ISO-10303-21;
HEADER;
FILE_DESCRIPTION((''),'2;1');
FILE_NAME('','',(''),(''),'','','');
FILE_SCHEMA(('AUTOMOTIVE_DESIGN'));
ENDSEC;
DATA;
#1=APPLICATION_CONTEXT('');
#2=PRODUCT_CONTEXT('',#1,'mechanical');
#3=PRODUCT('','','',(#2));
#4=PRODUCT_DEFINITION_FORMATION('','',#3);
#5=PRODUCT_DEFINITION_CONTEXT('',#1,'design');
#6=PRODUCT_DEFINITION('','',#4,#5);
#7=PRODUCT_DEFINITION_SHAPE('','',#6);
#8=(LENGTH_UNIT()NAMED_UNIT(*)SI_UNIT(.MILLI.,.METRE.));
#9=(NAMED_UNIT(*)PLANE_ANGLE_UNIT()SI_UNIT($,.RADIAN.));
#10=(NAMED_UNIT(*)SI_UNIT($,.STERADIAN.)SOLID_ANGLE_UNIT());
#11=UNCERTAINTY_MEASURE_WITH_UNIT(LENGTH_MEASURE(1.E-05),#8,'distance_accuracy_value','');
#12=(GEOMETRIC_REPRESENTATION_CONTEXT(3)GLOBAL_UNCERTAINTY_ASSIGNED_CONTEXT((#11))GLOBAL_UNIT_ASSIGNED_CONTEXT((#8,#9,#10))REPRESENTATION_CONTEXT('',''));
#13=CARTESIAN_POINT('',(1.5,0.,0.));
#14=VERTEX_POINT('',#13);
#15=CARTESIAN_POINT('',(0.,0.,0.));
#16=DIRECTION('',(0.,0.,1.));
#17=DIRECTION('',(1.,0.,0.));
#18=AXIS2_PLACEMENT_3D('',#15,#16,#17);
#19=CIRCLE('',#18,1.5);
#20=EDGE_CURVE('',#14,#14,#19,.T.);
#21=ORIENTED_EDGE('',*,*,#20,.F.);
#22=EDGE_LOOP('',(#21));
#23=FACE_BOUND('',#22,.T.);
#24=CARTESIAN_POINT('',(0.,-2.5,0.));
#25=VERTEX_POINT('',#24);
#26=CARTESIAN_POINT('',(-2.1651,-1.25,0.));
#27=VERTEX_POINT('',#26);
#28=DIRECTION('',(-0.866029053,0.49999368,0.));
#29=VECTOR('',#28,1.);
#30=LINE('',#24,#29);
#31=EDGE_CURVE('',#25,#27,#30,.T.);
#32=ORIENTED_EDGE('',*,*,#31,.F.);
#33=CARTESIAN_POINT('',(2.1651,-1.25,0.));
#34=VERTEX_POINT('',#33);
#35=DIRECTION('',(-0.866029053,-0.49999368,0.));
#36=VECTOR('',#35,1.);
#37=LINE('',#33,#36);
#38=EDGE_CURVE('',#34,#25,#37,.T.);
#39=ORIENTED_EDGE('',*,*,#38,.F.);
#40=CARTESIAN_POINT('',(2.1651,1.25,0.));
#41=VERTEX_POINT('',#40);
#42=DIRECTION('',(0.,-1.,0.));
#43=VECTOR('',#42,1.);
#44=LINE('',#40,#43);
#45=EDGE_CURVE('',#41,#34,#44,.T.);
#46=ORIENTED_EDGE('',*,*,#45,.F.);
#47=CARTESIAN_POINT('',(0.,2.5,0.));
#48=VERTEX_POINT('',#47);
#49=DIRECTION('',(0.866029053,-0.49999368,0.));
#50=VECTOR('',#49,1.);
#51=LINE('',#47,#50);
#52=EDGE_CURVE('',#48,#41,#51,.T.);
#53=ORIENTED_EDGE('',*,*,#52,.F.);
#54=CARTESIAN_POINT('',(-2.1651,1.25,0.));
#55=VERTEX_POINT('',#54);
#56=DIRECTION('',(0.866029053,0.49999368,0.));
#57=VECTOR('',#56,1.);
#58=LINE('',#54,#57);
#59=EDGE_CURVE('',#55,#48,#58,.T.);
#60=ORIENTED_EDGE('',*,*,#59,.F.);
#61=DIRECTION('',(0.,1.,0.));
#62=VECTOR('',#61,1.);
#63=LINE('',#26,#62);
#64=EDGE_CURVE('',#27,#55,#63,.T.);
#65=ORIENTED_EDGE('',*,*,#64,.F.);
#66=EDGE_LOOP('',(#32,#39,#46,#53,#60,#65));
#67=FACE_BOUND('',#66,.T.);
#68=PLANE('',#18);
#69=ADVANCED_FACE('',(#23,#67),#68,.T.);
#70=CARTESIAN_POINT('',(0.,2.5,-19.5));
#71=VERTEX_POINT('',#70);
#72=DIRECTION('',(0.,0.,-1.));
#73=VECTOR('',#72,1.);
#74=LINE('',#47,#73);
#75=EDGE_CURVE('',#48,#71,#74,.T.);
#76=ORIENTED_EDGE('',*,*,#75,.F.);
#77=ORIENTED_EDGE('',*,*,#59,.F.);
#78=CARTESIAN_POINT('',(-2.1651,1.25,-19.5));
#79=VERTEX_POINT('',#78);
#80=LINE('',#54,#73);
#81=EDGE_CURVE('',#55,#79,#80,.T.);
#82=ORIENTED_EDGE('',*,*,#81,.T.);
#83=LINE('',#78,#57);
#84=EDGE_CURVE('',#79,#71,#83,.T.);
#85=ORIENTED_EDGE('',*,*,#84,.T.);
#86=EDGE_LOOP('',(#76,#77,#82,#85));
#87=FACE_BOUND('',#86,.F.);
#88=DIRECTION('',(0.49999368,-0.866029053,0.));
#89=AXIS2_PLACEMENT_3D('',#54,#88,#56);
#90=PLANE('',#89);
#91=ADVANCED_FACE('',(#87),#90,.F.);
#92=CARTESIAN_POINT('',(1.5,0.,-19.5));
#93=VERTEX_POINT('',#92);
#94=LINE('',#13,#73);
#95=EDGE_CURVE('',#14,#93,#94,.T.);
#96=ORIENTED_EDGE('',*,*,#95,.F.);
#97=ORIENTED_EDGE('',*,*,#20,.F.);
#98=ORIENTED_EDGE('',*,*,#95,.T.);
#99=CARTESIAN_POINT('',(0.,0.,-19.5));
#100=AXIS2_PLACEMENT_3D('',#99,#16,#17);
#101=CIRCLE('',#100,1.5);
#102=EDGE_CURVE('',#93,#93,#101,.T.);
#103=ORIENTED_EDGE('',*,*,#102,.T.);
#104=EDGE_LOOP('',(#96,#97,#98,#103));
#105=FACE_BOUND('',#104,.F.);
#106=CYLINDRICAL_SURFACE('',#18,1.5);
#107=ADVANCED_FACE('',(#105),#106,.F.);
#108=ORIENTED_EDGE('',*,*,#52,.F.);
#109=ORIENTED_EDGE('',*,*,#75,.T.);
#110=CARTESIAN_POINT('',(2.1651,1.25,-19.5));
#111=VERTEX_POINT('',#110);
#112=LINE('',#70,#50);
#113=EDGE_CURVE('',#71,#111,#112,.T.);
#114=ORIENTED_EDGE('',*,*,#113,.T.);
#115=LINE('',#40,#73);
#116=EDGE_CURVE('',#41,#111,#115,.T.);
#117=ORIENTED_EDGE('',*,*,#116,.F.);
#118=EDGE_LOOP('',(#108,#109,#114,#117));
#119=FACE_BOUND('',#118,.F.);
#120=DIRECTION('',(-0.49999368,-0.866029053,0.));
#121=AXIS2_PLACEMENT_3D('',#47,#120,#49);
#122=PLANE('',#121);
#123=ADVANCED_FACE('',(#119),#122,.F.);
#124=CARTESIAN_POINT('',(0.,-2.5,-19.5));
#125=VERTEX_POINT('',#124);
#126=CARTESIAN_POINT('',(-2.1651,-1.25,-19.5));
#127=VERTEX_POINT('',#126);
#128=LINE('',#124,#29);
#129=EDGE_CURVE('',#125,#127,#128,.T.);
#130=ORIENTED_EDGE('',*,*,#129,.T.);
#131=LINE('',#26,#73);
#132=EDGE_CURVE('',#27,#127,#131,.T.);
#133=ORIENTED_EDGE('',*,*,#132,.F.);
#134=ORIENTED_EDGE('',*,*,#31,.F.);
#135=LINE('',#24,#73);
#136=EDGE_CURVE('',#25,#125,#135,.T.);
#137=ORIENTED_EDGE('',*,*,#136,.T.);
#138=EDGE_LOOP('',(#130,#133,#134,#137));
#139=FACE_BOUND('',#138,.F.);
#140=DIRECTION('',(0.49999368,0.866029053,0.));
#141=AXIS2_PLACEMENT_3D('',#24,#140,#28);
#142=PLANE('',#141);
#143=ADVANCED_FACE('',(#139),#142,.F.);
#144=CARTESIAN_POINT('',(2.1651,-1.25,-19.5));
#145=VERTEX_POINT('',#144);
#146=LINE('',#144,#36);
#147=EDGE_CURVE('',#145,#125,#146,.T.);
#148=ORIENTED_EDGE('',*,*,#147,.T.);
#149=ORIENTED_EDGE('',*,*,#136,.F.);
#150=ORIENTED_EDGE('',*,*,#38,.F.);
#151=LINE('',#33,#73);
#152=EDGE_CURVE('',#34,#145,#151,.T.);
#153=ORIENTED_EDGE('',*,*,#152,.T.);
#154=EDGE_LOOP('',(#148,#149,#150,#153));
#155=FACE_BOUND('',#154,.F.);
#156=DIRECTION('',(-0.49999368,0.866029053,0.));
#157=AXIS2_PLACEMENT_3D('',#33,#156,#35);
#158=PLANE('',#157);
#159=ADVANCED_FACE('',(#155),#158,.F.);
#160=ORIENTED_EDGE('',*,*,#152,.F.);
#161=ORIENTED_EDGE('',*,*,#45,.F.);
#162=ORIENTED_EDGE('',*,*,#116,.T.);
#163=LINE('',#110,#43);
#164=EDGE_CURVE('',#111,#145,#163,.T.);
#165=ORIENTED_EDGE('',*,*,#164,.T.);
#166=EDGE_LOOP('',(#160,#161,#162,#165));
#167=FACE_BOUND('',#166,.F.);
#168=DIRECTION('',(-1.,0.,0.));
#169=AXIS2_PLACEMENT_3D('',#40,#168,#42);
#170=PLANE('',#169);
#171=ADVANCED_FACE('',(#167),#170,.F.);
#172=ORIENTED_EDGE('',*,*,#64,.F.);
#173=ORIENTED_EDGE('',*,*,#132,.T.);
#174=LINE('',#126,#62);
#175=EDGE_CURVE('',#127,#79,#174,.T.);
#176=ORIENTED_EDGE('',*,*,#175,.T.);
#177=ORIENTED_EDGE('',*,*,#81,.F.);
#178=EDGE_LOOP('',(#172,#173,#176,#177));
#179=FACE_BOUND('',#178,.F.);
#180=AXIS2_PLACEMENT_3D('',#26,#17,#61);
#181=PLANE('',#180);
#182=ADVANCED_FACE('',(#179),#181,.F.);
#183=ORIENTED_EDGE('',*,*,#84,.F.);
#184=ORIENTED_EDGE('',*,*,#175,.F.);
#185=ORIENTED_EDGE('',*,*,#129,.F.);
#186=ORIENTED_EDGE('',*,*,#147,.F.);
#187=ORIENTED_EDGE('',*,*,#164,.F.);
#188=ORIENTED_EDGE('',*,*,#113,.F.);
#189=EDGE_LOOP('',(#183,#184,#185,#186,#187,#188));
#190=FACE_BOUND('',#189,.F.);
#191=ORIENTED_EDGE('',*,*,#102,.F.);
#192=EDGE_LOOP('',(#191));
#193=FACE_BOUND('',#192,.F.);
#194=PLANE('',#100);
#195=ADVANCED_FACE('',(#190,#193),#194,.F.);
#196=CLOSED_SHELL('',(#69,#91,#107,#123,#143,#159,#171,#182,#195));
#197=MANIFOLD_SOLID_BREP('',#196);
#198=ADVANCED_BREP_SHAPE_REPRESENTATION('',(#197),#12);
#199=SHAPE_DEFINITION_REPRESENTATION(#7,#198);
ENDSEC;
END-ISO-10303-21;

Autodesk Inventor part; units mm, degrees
ref_plane "YZ Plane" through (0, 0, 0) normal (1, 0, 0) x (0, 1, 0)
ref_plane "XZ Plane" through (0, 0, 0) normal (0, 1, 0) x (-1, 0, 0)
ref_plane "XY Plane" through (0, 0, 0) normal (0, 0, 1) x (1, 0, 0)
sketch "Эскиз1" plane through (0, 0, 0) normal (0, 0, 1) x (1, 0, 0)
  line L0 (0, 2.5) -> (2.1651, 1.25)
  line L1 (2.1651, 1.25) -> (2.1651, -1.25)
  line L2 (2.1651, -1.25) -> (0, -2.5)
  line L3 (0, -2.5) -> (-2.1651, -1.25)
  line L4 (-2.1651, -1.25) -> (-2.1651, 1.25)
  line L5 (-2.1651, 1.25) -> (0, 2.5)
  point P0 (0, 0)
  point P1 (0, 0)
  dimension "d0" = 5
extrude "Выдавливание1" add sketch "Эскиз1" against normal blind 19.5
sketch "Эскиз2" plane through (0, 0, 0) normal (0, 0, 1) x (1, 0, 0)
  circle A0 centre (0, 0) radius 1.5
  dimension "d3" = 3
extrude "Выдавливание2" cut sketch "Эскиз2" against normal through all
thread "Резьба1" size "M3x0.5" class "6H" standard "ANSI Metric M Profile" full length
properties part number "Кусок металла"
